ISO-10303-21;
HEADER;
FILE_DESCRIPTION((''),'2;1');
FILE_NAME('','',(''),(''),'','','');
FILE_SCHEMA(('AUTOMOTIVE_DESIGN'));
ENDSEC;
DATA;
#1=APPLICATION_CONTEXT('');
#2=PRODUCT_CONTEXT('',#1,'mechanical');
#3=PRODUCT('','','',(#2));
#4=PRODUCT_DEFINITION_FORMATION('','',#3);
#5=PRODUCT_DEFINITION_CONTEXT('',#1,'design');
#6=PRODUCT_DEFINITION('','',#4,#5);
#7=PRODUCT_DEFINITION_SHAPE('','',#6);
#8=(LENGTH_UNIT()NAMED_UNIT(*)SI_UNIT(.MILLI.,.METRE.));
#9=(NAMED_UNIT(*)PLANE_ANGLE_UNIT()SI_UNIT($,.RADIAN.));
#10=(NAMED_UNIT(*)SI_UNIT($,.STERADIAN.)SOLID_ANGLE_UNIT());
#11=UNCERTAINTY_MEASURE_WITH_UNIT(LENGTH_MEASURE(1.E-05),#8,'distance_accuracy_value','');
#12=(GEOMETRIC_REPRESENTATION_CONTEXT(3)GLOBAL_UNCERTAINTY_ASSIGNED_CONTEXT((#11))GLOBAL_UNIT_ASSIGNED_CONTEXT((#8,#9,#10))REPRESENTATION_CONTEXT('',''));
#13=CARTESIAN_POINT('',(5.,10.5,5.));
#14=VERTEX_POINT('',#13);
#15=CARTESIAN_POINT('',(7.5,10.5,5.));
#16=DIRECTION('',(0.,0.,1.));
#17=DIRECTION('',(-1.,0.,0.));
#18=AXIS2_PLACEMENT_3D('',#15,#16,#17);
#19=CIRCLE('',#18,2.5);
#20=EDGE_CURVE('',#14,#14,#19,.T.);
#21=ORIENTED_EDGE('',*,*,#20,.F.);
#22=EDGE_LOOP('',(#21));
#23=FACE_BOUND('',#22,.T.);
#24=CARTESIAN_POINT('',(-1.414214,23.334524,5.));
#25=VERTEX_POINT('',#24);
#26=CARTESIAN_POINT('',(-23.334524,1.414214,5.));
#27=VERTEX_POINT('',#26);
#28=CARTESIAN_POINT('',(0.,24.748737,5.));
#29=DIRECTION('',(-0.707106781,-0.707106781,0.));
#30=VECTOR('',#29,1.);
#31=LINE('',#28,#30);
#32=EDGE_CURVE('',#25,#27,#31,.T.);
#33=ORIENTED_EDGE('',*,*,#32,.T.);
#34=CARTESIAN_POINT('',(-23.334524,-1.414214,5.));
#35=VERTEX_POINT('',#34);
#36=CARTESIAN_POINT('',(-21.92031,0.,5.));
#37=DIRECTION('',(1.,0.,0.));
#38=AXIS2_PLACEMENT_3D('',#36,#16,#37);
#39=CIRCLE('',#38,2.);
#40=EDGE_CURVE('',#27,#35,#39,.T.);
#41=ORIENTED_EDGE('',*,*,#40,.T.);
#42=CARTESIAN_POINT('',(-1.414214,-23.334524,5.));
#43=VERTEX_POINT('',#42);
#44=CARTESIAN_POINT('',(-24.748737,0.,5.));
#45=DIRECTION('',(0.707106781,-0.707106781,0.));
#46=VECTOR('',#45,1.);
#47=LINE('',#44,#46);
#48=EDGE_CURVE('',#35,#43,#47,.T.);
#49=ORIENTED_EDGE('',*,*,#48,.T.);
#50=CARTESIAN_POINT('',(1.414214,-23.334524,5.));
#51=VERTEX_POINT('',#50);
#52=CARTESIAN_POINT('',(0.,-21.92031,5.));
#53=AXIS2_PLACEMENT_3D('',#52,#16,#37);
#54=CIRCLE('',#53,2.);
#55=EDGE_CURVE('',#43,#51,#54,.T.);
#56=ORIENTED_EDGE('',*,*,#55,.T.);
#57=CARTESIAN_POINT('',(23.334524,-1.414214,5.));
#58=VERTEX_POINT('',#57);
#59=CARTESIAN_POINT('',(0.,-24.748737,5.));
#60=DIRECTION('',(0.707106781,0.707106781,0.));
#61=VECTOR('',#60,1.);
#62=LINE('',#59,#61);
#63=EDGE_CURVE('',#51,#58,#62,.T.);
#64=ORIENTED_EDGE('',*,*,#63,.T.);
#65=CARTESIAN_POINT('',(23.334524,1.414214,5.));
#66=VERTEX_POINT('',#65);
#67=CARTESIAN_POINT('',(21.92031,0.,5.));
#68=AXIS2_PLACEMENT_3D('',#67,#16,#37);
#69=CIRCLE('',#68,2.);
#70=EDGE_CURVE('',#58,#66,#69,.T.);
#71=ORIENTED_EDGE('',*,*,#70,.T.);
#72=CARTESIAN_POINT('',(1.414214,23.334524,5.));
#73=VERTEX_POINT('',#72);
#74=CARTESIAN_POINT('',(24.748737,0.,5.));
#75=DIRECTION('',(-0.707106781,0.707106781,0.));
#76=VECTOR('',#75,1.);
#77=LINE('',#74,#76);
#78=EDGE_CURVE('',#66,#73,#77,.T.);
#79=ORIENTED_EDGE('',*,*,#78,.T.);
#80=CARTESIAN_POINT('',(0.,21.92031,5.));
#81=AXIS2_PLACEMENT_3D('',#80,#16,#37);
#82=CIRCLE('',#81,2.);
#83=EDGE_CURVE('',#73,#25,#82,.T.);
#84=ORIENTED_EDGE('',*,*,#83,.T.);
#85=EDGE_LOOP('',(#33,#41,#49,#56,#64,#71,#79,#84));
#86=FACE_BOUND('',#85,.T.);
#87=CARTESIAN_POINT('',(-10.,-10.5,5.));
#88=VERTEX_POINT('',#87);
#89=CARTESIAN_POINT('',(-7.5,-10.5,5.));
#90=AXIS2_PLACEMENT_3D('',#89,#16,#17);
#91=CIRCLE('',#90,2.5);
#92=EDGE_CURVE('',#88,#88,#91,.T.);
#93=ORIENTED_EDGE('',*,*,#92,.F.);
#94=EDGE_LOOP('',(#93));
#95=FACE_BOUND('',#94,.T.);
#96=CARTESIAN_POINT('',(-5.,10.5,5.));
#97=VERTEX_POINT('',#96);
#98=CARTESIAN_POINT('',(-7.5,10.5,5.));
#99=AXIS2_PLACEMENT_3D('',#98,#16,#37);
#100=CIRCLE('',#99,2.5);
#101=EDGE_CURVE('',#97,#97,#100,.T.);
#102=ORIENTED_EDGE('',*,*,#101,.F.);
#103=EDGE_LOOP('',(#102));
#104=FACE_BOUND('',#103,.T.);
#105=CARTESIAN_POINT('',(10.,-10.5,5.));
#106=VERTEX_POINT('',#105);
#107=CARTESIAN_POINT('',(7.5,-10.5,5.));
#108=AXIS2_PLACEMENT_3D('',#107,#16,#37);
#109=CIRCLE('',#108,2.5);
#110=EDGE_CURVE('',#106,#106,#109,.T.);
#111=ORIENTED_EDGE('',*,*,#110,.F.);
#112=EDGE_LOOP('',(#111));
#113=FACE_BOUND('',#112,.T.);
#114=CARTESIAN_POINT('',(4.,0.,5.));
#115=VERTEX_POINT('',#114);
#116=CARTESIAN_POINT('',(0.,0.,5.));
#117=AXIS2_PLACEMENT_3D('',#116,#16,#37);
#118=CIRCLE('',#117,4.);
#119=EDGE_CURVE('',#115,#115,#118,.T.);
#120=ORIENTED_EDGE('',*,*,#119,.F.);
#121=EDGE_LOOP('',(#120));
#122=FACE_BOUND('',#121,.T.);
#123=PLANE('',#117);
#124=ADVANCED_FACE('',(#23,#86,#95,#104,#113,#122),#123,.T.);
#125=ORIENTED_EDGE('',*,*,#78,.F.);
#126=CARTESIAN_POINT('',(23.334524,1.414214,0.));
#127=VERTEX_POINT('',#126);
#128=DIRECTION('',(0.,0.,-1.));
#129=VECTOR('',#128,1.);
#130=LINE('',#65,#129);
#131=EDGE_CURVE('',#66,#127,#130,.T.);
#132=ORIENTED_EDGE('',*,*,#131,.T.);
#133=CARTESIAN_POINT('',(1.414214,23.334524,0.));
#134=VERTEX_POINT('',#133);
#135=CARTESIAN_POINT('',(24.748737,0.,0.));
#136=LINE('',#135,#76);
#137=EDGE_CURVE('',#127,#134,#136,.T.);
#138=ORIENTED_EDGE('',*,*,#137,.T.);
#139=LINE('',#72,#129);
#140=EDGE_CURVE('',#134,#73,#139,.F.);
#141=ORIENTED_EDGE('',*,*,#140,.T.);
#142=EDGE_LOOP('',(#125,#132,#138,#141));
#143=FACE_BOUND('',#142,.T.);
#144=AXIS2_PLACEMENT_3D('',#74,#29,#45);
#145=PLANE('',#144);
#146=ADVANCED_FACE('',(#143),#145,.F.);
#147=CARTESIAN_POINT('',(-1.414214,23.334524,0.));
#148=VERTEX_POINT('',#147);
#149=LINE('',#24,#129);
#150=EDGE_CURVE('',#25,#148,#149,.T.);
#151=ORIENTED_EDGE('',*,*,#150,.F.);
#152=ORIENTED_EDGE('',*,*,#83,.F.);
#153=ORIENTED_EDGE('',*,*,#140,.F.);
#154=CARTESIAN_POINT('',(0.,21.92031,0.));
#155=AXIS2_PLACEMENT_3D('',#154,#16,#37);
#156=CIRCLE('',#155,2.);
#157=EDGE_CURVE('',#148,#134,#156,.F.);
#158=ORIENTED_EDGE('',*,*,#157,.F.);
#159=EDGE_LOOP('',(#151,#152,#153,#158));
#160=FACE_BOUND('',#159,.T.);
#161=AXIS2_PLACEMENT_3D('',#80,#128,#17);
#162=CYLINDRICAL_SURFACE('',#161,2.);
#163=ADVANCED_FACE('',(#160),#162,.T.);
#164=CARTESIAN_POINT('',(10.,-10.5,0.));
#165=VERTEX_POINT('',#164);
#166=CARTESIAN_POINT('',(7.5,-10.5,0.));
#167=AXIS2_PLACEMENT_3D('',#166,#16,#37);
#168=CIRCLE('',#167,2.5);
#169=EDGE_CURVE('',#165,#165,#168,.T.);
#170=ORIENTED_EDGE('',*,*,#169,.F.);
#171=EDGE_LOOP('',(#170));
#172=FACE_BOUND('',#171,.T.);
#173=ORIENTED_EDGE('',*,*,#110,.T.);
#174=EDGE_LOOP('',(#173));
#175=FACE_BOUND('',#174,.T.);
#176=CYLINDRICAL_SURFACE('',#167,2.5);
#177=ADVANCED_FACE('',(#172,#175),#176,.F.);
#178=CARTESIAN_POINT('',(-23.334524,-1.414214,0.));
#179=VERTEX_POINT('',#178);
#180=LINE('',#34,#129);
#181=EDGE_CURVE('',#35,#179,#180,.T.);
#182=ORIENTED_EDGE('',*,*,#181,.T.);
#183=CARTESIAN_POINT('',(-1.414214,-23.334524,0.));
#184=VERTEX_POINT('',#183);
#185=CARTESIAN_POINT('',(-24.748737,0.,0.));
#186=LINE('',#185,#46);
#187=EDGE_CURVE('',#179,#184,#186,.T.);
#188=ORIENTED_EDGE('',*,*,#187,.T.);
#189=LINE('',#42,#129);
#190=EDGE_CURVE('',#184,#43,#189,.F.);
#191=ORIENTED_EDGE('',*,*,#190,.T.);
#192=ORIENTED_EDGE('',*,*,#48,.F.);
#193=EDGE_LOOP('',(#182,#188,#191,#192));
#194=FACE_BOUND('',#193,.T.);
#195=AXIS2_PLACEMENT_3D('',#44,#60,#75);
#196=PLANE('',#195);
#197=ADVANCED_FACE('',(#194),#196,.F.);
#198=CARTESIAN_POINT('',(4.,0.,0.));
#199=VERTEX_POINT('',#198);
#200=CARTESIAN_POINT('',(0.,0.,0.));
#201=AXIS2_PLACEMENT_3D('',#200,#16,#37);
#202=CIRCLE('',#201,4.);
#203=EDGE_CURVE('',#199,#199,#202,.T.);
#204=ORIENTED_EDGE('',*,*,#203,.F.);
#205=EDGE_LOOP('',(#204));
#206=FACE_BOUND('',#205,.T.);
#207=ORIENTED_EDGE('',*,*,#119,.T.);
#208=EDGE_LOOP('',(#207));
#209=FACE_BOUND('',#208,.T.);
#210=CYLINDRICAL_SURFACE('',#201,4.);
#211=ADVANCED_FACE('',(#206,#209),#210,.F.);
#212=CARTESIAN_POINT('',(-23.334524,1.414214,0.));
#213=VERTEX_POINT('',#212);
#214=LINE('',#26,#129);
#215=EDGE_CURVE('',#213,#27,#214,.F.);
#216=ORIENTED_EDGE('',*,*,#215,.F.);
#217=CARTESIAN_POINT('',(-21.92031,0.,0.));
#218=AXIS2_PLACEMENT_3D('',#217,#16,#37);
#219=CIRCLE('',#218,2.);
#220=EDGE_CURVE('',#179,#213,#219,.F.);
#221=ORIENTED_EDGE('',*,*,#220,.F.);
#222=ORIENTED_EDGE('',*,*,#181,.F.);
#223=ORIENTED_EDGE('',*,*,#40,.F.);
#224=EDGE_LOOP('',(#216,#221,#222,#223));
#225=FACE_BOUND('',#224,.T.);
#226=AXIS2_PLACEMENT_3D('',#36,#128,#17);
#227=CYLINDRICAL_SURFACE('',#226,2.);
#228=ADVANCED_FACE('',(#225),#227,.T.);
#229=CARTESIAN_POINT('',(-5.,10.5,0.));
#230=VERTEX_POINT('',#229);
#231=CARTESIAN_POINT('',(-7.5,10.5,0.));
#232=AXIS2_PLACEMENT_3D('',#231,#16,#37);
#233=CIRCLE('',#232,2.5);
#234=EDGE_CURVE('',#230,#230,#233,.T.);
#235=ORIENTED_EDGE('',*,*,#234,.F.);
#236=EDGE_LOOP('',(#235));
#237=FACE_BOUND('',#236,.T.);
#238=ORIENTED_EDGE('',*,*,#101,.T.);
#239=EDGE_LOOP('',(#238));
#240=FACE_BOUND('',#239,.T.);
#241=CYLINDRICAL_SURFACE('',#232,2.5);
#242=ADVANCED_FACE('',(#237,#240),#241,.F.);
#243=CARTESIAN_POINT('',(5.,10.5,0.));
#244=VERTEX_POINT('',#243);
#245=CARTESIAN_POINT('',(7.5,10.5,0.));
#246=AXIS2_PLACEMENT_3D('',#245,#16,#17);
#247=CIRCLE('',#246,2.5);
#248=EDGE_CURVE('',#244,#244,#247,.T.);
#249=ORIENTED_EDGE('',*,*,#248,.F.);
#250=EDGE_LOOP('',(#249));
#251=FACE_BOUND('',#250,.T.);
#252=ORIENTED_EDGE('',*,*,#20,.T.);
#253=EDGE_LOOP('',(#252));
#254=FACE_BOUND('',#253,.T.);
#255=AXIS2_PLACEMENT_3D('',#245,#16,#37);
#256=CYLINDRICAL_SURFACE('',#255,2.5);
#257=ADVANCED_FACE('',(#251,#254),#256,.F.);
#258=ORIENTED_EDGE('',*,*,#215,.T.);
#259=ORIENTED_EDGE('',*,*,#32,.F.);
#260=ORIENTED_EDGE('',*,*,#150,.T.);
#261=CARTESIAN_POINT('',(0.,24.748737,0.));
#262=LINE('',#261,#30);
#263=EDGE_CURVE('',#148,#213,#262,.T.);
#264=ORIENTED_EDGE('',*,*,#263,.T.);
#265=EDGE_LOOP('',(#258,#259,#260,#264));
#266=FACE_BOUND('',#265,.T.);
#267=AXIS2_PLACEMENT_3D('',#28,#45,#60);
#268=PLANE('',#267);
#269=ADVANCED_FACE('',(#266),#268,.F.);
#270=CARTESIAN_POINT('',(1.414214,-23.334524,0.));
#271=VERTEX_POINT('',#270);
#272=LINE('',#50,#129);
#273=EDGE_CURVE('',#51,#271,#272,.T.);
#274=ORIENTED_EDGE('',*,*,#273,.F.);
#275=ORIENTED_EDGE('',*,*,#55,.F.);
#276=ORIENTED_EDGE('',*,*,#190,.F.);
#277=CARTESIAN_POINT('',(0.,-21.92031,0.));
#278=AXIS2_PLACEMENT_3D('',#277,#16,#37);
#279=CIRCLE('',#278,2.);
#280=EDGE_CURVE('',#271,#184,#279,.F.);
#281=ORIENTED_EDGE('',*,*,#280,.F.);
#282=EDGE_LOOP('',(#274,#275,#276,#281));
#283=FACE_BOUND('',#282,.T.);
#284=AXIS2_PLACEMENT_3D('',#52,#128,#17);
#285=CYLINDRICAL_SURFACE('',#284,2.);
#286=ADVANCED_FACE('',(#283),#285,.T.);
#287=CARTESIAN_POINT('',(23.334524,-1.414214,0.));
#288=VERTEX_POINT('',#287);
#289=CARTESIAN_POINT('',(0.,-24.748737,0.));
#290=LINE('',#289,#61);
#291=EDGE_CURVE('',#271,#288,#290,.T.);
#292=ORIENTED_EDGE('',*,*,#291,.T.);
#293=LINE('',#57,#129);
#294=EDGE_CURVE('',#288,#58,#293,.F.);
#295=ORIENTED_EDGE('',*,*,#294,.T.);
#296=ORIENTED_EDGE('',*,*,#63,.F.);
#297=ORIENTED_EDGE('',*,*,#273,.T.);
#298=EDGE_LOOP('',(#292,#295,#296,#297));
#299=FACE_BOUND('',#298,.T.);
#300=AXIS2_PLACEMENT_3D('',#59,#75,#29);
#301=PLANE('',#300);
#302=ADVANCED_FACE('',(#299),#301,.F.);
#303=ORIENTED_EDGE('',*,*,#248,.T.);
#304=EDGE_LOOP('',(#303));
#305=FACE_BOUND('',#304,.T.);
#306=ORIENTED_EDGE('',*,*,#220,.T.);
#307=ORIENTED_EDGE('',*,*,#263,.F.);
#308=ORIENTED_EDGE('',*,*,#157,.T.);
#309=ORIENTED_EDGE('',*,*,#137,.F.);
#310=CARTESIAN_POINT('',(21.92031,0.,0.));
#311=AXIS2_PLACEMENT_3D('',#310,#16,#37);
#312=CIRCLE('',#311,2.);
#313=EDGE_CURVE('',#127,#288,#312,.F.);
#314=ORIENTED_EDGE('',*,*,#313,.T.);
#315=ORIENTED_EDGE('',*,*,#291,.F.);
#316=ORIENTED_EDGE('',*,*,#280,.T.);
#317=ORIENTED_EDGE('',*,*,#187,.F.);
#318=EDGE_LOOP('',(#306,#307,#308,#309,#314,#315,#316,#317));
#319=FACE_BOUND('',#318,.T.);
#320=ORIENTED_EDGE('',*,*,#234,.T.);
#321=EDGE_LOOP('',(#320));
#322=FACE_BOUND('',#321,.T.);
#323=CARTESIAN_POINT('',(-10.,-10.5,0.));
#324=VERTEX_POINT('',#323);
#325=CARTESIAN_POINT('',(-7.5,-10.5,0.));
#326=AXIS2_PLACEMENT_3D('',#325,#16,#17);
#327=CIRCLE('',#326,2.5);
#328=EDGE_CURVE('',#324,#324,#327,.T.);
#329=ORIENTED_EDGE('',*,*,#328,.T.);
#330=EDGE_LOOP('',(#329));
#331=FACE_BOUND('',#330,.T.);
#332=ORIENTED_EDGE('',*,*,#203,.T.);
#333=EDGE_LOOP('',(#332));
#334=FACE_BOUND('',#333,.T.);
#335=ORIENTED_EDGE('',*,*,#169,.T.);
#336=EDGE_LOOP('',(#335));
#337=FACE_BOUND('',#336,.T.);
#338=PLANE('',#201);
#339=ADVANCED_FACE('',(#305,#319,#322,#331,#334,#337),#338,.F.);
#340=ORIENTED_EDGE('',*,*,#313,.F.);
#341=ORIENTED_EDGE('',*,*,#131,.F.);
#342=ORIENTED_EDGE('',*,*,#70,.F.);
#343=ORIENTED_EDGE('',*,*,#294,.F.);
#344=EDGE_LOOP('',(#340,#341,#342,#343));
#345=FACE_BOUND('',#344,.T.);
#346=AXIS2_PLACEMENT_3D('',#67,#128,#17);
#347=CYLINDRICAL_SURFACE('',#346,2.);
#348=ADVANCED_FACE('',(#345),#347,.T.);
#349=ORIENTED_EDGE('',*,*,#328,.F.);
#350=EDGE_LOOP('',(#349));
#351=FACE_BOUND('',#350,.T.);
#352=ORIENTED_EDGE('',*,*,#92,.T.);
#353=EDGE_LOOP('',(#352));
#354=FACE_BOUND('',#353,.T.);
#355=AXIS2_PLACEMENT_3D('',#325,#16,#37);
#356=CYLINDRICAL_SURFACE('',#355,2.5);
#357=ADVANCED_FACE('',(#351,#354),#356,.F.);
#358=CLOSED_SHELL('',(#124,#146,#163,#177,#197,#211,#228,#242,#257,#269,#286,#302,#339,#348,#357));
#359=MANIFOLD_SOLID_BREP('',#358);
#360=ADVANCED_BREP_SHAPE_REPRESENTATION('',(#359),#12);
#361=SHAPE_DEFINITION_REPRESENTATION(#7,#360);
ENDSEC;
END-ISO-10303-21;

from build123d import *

# Parameters (mm, degrees)
EXTRUDE_1_DEPTH     = 5
SKETCH_2_R          = 4
CUT_EXTRUDE_1_DEPTH = 5
SKETCH_5_R          = 2.5
CUT_EXTRUDE_2_DEPTH = 36.355339059
FILLET_1_R          = 2


with BuildPart() as part:
    # 草图1 → 凸台-拉伸1 (new body)
    with BuildSketch(Plane.XY):
        Polygon((0, -24.748737342), (24.748737342, 0), (0, 24.748737342), (-24.748737342, 0), align=None)
    extrude(amount=EXTRUDE_1_DEPTH)

    # 草图2 → 切除-拉伸1 (cut)
    with BuildSketch(Plane.XY.offset(5)):
        Circle(SKETCH_2_R)
    extrude(amount=-CUT_EXTRUDE_1_DEPTH, mode=Mode.SUBTRACT)

    # 草图5 → 切除-拉伸2 (cut, through all)
    with BuildSketch(Plane.XY.offset(5)):
        with Locations((-7.5, 10.5)):
            Circle(SKETCH_5_R)
        with Locations(Location((7.5, 10.5, 0), (0, 0, 180))):
            Circle(SKETCH_5_R)
        with Locations((7.5, -10.5)):
            Circle(SKETCH_5_R)
        with Locations(Location((-7.5, -10.5, 0), (0, 0, 180))):
            Circle(SKETCH_5_R)
    extrude(amount=-CUT_EXTRUDE_2_DEPTH, mode=Mode.SUBTRACT)

    # 圆角1
    fillet_1_edges = [part.edges().sort_by_distance(p)[0] for p in [
        (-24.748737342, 0, 2.5),
        (0, 24.748737342, 2.5),
        (24.748737342, 0, 2.5),
        (0, -24.748737342, 2.5),
    ]]
    fillet(fillet_1_edges, radius=FILLET_1_R)


solid = part.part
